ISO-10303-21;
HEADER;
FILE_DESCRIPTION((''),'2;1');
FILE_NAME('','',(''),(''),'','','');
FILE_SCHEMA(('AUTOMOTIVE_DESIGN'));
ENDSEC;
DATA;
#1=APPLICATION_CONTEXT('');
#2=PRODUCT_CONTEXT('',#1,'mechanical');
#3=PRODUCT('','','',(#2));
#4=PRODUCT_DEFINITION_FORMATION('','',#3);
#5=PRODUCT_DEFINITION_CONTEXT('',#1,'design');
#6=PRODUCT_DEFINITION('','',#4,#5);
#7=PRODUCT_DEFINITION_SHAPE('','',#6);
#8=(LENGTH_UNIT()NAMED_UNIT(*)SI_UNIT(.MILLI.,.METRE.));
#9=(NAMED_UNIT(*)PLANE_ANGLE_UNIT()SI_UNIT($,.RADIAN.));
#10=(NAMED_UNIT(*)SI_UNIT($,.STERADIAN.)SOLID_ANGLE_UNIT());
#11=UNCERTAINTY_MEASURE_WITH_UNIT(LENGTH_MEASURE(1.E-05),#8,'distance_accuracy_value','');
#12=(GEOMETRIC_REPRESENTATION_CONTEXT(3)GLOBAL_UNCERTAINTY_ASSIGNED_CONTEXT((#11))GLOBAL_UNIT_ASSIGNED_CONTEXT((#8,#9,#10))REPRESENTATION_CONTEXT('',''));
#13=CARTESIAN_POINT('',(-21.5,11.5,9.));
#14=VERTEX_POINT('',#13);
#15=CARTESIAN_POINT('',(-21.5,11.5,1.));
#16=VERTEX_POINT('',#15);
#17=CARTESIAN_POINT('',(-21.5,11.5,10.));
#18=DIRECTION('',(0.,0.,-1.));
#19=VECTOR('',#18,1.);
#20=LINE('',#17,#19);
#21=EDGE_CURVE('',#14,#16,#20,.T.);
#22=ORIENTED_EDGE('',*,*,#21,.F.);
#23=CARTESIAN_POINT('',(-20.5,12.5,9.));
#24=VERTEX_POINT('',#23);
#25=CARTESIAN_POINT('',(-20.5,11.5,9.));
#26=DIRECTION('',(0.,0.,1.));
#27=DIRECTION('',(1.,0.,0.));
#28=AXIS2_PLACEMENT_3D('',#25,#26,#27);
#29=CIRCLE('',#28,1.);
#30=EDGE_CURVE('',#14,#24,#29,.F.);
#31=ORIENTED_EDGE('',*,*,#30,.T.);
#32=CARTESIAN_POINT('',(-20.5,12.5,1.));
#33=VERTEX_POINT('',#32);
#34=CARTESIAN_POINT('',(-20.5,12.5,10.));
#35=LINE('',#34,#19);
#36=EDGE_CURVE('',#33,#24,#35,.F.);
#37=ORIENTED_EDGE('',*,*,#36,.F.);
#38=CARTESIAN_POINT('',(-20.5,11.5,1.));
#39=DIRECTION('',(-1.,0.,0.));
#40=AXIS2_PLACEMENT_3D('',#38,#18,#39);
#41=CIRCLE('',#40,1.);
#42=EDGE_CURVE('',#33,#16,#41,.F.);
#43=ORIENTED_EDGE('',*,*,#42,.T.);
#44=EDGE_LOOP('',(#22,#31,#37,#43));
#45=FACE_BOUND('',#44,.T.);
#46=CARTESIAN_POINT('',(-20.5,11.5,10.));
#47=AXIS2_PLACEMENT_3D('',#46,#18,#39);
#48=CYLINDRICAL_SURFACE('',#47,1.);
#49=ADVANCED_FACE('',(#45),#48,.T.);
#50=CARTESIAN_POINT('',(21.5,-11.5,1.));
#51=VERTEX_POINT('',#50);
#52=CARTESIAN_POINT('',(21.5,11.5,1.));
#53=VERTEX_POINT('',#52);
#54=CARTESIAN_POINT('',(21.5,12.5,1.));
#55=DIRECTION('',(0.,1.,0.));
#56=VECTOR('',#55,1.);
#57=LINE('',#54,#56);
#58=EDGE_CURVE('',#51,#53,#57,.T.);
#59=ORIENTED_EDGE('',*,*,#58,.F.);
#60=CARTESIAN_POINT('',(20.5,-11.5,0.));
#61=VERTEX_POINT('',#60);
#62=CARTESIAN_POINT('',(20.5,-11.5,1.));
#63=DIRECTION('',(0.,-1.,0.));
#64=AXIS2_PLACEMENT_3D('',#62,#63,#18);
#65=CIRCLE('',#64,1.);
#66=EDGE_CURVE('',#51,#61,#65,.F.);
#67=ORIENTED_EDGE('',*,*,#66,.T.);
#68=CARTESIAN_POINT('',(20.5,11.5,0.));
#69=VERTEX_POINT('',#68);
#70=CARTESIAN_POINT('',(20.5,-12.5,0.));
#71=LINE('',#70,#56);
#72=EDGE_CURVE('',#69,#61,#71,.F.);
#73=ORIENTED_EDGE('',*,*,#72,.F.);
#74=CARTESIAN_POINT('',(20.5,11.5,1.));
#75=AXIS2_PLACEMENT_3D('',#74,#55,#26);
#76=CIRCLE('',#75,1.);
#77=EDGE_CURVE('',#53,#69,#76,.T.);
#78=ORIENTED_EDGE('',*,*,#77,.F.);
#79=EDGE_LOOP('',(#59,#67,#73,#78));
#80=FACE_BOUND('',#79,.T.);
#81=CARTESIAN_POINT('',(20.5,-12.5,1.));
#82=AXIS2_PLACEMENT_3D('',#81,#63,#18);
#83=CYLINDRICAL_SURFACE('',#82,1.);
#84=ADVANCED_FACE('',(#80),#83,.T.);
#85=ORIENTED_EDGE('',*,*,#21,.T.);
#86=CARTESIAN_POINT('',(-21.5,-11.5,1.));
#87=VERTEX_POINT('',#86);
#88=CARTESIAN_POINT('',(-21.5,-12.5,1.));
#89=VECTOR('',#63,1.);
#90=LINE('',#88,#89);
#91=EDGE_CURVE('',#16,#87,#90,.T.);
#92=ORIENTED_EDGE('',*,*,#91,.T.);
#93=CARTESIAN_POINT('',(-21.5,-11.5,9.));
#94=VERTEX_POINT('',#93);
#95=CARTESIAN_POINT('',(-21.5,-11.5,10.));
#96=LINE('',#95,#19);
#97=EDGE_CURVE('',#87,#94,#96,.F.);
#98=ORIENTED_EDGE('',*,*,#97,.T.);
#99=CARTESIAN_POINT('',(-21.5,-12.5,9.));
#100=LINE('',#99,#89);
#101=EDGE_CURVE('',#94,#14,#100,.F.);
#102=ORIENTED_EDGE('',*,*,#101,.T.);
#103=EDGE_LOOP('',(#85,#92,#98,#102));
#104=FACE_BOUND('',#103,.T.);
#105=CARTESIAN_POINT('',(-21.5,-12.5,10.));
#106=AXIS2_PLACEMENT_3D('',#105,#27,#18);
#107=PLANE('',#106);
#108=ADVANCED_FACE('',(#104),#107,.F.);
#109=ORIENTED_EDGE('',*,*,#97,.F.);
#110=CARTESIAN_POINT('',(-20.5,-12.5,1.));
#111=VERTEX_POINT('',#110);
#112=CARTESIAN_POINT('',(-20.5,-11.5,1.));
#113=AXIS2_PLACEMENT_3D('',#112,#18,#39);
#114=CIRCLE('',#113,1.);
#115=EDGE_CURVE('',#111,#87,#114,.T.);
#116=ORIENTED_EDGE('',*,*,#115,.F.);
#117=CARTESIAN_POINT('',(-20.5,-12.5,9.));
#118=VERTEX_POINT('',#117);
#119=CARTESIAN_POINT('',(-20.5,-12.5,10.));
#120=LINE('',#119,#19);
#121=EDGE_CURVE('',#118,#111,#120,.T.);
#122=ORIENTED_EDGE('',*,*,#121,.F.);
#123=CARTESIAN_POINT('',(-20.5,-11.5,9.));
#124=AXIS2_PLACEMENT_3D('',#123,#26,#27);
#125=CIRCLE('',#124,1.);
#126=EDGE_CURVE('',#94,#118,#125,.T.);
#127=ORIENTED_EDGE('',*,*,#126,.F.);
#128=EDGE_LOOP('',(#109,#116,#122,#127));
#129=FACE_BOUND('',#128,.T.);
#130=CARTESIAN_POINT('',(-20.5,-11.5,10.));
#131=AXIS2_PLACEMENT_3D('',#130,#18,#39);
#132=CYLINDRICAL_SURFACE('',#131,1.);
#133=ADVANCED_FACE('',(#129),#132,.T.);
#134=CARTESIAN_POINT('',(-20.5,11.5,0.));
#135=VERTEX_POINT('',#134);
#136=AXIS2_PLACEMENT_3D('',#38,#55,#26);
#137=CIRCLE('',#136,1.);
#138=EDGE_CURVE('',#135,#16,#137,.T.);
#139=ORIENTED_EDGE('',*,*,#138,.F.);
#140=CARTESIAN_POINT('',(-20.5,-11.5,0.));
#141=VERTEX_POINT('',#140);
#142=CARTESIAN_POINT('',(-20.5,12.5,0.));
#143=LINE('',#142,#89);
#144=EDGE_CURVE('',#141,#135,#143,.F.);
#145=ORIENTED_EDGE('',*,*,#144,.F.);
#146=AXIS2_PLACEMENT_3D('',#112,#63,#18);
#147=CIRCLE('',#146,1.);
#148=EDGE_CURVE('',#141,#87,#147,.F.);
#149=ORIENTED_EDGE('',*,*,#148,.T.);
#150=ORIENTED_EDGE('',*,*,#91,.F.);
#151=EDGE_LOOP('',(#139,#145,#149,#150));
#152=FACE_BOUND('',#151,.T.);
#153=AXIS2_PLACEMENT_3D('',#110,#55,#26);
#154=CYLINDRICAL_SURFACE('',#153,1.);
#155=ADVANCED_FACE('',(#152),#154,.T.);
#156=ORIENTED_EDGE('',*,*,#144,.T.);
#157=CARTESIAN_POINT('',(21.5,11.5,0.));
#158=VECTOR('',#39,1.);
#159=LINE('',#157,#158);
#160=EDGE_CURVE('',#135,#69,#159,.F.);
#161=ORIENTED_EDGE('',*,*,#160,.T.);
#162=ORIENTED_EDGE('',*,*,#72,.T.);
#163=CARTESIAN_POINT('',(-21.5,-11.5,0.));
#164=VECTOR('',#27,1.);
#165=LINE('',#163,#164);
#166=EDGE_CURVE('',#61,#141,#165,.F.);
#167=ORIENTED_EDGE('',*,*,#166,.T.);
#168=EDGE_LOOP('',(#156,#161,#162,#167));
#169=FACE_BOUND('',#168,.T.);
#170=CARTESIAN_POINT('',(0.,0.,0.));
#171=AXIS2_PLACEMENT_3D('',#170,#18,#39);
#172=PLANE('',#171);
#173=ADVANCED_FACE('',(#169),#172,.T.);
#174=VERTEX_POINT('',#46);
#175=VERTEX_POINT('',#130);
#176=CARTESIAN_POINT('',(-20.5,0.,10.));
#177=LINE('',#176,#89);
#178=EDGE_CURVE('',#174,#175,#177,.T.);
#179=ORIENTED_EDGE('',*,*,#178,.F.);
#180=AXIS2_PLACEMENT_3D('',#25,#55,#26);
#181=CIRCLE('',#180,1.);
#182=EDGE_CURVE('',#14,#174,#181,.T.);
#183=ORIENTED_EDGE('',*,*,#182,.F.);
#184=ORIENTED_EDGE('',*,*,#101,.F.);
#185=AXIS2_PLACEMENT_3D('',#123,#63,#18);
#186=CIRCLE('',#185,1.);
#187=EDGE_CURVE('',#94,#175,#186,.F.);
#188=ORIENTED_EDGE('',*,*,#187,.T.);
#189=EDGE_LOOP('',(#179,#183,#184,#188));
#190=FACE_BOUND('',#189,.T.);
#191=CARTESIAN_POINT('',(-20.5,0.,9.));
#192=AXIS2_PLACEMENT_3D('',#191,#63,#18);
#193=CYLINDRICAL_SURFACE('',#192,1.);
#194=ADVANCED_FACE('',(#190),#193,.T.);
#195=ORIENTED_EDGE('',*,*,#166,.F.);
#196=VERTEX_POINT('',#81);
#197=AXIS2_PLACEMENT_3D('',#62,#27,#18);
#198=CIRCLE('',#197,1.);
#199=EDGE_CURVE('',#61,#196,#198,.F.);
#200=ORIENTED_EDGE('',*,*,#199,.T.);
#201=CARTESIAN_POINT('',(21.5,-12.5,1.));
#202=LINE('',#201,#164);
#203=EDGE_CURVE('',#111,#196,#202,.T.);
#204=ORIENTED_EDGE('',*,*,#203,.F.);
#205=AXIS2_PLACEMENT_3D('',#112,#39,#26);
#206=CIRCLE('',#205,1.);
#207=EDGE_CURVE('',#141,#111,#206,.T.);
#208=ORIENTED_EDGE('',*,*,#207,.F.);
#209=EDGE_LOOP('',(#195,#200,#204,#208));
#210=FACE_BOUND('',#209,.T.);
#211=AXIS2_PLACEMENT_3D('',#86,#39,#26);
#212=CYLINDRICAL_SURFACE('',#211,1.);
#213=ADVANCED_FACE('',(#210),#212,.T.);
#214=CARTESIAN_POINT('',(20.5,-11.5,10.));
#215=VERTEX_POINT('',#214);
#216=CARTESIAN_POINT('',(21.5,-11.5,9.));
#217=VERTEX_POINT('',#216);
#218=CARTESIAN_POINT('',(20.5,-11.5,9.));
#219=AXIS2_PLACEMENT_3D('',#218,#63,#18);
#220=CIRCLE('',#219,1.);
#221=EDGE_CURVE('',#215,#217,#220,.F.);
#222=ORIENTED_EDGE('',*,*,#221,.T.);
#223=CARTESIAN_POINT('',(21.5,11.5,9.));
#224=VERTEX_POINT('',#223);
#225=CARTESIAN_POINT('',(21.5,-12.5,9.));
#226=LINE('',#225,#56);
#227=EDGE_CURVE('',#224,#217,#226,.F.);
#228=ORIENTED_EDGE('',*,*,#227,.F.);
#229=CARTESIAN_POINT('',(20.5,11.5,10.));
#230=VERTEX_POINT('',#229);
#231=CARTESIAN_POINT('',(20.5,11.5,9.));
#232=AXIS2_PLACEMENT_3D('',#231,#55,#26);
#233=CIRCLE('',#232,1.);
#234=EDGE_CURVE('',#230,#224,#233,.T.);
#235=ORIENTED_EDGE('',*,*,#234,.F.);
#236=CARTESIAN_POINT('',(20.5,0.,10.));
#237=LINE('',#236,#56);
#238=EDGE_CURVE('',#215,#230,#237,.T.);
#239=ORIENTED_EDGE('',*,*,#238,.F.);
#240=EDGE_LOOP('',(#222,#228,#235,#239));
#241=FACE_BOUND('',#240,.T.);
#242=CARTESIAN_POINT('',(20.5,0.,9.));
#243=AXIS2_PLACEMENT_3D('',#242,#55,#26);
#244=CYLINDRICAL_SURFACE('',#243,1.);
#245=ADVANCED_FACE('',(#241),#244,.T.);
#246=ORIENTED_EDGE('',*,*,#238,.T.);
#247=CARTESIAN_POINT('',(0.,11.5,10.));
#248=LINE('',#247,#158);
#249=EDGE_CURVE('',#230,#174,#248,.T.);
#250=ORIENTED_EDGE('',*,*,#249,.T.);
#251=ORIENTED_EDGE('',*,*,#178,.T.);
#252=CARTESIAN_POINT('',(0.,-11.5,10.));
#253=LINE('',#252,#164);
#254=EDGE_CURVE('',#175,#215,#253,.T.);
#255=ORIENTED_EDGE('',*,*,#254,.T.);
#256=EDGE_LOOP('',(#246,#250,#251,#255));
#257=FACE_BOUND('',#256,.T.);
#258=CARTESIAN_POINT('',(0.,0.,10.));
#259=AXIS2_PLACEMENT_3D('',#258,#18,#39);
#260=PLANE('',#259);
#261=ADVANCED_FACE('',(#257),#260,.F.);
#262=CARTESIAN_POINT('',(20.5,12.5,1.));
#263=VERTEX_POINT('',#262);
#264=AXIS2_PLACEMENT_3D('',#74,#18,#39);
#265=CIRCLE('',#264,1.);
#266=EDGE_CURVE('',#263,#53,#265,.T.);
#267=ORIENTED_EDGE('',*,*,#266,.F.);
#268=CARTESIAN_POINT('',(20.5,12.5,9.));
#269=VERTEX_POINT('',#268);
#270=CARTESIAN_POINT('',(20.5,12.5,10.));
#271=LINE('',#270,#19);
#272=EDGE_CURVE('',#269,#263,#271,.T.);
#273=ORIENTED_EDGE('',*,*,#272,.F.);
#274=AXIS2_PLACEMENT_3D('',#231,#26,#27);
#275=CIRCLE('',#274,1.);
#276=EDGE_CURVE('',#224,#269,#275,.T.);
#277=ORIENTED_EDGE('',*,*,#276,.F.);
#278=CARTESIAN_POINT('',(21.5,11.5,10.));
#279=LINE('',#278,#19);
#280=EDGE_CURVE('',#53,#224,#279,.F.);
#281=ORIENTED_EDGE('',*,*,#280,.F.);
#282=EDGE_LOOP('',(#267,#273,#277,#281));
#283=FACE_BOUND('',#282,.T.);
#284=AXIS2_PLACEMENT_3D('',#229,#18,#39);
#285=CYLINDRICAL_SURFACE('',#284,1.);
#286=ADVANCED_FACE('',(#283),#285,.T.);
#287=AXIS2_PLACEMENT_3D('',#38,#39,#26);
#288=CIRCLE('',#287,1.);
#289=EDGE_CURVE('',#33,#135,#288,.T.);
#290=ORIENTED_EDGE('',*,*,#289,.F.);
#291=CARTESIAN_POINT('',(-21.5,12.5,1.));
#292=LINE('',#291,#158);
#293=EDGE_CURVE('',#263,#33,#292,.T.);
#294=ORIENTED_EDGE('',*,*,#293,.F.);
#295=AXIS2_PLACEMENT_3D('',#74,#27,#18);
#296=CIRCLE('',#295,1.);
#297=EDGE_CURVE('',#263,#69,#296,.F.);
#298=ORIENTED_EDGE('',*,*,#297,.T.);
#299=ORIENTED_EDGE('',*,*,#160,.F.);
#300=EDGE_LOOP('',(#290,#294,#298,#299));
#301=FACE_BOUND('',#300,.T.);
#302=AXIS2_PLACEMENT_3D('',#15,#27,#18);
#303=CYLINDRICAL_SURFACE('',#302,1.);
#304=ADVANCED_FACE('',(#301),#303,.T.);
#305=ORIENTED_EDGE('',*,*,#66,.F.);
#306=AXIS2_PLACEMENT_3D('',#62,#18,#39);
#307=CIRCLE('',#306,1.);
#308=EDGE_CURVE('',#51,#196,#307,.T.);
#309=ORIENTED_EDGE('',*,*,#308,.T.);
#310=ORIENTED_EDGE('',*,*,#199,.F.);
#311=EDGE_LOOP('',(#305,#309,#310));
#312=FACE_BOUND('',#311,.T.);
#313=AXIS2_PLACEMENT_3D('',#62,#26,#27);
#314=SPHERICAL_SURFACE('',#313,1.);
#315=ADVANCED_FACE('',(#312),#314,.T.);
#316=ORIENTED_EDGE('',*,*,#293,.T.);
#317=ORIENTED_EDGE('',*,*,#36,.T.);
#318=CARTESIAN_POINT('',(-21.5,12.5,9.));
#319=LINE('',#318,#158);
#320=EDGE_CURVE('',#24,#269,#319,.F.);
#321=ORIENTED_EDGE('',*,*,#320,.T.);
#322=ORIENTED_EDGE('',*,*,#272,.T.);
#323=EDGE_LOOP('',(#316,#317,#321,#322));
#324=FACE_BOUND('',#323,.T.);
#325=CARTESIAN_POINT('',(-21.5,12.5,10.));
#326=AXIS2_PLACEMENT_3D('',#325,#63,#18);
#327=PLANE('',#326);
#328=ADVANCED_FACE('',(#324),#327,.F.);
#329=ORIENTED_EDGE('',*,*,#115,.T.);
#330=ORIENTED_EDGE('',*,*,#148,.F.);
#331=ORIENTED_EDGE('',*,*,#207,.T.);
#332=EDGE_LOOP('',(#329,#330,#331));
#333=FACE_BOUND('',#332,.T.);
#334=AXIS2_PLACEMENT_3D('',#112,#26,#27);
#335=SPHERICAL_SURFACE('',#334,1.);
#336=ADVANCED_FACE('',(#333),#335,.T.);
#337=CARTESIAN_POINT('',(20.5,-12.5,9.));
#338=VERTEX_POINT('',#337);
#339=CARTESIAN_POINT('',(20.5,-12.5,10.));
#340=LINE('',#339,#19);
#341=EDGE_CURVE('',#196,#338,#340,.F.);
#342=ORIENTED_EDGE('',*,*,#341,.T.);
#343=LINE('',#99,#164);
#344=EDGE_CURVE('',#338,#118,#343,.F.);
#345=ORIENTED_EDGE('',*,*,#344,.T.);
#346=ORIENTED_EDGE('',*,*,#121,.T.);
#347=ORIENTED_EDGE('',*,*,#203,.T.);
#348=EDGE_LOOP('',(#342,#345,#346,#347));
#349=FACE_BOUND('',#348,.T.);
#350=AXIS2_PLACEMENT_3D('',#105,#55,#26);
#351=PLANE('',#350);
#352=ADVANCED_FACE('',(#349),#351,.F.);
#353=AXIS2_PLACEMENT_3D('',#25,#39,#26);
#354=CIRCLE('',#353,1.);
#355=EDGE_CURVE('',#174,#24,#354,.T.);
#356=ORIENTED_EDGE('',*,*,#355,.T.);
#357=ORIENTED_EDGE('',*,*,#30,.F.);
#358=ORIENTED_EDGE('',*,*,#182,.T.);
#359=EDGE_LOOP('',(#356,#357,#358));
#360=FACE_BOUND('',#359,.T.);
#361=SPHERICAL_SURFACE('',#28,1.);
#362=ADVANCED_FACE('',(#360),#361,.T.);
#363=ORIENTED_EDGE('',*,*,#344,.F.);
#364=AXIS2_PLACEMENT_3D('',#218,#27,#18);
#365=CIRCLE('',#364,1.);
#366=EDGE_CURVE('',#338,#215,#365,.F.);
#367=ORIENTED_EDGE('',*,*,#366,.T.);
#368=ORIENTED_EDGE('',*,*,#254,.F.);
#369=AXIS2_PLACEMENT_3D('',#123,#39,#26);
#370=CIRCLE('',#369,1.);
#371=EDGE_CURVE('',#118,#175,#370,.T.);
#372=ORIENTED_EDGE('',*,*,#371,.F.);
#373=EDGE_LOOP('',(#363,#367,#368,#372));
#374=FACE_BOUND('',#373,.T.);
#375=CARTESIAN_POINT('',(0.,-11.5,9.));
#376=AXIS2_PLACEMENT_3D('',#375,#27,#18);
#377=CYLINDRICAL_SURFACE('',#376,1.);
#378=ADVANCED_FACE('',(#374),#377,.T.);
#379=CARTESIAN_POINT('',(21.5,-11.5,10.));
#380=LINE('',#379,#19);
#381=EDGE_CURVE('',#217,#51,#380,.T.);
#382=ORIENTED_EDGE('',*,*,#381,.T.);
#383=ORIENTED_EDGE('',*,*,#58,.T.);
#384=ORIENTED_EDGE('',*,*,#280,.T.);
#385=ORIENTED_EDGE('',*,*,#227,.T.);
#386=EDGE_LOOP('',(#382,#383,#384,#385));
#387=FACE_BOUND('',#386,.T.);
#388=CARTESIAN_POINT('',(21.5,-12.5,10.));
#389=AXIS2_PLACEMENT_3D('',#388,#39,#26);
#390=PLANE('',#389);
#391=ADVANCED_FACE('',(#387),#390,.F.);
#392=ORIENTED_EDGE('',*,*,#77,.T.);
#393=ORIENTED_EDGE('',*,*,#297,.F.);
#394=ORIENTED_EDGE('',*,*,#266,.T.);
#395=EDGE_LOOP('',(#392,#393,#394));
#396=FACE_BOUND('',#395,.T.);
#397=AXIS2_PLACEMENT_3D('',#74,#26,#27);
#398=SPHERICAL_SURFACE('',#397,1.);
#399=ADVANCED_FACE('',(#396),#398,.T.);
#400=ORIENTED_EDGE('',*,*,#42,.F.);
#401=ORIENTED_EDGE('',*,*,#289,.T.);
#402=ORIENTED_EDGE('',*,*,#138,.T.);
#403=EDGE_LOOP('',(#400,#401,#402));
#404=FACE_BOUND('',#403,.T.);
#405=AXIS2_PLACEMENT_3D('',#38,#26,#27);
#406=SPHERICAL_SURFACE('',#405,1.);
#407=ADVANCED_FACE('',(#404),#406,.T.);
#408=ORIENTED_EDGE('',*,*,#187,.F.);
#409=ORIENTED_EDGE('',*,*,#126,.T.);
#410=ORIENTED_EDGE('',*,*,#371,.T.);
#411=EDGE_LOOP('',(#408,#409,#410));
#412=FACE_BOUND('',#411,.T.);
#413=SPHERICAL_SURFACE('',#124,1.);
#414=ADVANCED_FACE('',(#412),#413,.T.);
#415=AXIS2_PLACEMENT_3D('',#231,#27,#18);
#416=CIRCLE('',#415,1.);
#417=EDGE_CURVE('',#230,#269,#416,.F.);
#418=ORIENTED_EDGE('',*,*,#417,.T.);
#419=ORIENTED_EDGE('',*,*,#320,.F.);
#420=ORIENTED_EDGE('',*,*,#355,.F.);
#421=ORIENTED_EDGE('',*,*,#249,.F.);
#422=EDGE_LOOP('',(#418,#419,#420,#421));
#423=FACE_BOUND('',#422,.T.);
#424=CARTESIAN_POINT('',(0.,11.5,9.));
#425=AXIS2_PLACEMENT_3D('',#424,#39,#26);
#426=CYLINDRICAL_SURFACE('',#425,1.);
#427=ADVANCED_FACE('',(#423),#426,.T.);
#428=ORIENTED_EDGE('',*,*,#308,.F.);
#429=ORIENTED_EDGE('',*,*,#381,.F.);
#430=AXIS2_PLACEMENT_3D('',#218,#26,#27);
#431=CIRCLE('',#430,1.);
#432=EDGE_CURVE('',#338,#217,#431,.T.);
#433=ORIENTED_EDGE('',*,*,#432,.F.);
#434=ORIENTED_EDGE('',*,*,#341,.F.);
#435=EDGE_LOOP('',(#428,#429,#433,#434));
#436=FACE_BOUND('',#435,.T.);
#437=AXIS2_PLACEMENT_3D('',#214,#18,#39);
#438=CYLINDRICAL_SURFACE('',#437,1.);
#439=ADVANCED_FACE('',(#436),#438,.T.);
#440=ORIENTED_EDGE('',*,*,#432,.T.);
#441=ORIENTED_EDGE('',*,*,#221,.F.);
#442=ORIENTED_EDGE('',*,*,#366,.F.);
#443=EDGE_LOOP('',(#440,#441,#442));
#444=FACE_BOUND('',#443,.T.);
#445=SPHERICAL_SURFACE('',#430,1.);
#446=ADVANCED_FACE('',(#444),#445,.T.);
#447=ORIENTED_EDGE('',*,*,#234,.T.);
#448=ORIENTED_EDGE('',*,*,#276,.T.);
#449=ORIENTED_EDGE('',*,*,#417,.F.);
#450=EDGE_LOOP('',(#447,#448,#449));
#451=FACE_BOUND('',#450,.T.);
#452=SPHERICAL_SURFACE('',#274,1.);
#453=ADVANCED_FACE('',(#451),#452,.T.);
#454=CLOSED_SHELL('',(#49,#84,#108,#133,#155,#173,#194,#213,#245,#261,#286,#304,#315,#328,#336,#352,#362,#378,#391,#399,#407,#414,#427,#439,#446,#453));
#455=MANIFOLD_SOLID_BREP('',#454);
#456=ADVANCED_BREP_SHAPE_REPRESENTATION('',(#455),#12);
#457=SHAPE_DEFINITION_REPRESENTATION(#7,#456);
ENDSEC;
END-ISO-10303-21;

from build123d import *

# Parameters (mm, degrees)
SKETCH_1_W      = 43
SKETCH_1_H      = 25
EXTRUDE_1_DEPTH = 10
FILLET_1_R      = 1


with BuildPart() as part:
    # ｽｹｯﾁ1 → ﾎﾞｽ - 押し出し1 (new body)
    with BuildSketch(Plane.XY):
        Rectangle(SKETCH_1_W, SKETCH_1_H)
    extrude(amount=EXTRUDE_1_DEPTH)

    # ﾌｨﾚｯﾄ1
    fillet_1_edges = [part.edges().sort_by_distance(p)[0] for p in [
        (-21.5, 0, 10),
        (0, -12.5, 10),
        (21.5, 0, 10),
        (0, -12.5, 0),
        (-21.5, 0, 0),
        (0, 12.5, 0),
        (21.5, 0, 0),
        (0, 12.5, 10),
        (21.5, -12.5, 5),
        (-21.5, -12.5, 5),
        (-21.5, 12.5, 5),
        (21.5, 12.5, 5),
    ]]
    fillet(fillet_1_edges, radius=FILLET_1_R)


solid = part.part
